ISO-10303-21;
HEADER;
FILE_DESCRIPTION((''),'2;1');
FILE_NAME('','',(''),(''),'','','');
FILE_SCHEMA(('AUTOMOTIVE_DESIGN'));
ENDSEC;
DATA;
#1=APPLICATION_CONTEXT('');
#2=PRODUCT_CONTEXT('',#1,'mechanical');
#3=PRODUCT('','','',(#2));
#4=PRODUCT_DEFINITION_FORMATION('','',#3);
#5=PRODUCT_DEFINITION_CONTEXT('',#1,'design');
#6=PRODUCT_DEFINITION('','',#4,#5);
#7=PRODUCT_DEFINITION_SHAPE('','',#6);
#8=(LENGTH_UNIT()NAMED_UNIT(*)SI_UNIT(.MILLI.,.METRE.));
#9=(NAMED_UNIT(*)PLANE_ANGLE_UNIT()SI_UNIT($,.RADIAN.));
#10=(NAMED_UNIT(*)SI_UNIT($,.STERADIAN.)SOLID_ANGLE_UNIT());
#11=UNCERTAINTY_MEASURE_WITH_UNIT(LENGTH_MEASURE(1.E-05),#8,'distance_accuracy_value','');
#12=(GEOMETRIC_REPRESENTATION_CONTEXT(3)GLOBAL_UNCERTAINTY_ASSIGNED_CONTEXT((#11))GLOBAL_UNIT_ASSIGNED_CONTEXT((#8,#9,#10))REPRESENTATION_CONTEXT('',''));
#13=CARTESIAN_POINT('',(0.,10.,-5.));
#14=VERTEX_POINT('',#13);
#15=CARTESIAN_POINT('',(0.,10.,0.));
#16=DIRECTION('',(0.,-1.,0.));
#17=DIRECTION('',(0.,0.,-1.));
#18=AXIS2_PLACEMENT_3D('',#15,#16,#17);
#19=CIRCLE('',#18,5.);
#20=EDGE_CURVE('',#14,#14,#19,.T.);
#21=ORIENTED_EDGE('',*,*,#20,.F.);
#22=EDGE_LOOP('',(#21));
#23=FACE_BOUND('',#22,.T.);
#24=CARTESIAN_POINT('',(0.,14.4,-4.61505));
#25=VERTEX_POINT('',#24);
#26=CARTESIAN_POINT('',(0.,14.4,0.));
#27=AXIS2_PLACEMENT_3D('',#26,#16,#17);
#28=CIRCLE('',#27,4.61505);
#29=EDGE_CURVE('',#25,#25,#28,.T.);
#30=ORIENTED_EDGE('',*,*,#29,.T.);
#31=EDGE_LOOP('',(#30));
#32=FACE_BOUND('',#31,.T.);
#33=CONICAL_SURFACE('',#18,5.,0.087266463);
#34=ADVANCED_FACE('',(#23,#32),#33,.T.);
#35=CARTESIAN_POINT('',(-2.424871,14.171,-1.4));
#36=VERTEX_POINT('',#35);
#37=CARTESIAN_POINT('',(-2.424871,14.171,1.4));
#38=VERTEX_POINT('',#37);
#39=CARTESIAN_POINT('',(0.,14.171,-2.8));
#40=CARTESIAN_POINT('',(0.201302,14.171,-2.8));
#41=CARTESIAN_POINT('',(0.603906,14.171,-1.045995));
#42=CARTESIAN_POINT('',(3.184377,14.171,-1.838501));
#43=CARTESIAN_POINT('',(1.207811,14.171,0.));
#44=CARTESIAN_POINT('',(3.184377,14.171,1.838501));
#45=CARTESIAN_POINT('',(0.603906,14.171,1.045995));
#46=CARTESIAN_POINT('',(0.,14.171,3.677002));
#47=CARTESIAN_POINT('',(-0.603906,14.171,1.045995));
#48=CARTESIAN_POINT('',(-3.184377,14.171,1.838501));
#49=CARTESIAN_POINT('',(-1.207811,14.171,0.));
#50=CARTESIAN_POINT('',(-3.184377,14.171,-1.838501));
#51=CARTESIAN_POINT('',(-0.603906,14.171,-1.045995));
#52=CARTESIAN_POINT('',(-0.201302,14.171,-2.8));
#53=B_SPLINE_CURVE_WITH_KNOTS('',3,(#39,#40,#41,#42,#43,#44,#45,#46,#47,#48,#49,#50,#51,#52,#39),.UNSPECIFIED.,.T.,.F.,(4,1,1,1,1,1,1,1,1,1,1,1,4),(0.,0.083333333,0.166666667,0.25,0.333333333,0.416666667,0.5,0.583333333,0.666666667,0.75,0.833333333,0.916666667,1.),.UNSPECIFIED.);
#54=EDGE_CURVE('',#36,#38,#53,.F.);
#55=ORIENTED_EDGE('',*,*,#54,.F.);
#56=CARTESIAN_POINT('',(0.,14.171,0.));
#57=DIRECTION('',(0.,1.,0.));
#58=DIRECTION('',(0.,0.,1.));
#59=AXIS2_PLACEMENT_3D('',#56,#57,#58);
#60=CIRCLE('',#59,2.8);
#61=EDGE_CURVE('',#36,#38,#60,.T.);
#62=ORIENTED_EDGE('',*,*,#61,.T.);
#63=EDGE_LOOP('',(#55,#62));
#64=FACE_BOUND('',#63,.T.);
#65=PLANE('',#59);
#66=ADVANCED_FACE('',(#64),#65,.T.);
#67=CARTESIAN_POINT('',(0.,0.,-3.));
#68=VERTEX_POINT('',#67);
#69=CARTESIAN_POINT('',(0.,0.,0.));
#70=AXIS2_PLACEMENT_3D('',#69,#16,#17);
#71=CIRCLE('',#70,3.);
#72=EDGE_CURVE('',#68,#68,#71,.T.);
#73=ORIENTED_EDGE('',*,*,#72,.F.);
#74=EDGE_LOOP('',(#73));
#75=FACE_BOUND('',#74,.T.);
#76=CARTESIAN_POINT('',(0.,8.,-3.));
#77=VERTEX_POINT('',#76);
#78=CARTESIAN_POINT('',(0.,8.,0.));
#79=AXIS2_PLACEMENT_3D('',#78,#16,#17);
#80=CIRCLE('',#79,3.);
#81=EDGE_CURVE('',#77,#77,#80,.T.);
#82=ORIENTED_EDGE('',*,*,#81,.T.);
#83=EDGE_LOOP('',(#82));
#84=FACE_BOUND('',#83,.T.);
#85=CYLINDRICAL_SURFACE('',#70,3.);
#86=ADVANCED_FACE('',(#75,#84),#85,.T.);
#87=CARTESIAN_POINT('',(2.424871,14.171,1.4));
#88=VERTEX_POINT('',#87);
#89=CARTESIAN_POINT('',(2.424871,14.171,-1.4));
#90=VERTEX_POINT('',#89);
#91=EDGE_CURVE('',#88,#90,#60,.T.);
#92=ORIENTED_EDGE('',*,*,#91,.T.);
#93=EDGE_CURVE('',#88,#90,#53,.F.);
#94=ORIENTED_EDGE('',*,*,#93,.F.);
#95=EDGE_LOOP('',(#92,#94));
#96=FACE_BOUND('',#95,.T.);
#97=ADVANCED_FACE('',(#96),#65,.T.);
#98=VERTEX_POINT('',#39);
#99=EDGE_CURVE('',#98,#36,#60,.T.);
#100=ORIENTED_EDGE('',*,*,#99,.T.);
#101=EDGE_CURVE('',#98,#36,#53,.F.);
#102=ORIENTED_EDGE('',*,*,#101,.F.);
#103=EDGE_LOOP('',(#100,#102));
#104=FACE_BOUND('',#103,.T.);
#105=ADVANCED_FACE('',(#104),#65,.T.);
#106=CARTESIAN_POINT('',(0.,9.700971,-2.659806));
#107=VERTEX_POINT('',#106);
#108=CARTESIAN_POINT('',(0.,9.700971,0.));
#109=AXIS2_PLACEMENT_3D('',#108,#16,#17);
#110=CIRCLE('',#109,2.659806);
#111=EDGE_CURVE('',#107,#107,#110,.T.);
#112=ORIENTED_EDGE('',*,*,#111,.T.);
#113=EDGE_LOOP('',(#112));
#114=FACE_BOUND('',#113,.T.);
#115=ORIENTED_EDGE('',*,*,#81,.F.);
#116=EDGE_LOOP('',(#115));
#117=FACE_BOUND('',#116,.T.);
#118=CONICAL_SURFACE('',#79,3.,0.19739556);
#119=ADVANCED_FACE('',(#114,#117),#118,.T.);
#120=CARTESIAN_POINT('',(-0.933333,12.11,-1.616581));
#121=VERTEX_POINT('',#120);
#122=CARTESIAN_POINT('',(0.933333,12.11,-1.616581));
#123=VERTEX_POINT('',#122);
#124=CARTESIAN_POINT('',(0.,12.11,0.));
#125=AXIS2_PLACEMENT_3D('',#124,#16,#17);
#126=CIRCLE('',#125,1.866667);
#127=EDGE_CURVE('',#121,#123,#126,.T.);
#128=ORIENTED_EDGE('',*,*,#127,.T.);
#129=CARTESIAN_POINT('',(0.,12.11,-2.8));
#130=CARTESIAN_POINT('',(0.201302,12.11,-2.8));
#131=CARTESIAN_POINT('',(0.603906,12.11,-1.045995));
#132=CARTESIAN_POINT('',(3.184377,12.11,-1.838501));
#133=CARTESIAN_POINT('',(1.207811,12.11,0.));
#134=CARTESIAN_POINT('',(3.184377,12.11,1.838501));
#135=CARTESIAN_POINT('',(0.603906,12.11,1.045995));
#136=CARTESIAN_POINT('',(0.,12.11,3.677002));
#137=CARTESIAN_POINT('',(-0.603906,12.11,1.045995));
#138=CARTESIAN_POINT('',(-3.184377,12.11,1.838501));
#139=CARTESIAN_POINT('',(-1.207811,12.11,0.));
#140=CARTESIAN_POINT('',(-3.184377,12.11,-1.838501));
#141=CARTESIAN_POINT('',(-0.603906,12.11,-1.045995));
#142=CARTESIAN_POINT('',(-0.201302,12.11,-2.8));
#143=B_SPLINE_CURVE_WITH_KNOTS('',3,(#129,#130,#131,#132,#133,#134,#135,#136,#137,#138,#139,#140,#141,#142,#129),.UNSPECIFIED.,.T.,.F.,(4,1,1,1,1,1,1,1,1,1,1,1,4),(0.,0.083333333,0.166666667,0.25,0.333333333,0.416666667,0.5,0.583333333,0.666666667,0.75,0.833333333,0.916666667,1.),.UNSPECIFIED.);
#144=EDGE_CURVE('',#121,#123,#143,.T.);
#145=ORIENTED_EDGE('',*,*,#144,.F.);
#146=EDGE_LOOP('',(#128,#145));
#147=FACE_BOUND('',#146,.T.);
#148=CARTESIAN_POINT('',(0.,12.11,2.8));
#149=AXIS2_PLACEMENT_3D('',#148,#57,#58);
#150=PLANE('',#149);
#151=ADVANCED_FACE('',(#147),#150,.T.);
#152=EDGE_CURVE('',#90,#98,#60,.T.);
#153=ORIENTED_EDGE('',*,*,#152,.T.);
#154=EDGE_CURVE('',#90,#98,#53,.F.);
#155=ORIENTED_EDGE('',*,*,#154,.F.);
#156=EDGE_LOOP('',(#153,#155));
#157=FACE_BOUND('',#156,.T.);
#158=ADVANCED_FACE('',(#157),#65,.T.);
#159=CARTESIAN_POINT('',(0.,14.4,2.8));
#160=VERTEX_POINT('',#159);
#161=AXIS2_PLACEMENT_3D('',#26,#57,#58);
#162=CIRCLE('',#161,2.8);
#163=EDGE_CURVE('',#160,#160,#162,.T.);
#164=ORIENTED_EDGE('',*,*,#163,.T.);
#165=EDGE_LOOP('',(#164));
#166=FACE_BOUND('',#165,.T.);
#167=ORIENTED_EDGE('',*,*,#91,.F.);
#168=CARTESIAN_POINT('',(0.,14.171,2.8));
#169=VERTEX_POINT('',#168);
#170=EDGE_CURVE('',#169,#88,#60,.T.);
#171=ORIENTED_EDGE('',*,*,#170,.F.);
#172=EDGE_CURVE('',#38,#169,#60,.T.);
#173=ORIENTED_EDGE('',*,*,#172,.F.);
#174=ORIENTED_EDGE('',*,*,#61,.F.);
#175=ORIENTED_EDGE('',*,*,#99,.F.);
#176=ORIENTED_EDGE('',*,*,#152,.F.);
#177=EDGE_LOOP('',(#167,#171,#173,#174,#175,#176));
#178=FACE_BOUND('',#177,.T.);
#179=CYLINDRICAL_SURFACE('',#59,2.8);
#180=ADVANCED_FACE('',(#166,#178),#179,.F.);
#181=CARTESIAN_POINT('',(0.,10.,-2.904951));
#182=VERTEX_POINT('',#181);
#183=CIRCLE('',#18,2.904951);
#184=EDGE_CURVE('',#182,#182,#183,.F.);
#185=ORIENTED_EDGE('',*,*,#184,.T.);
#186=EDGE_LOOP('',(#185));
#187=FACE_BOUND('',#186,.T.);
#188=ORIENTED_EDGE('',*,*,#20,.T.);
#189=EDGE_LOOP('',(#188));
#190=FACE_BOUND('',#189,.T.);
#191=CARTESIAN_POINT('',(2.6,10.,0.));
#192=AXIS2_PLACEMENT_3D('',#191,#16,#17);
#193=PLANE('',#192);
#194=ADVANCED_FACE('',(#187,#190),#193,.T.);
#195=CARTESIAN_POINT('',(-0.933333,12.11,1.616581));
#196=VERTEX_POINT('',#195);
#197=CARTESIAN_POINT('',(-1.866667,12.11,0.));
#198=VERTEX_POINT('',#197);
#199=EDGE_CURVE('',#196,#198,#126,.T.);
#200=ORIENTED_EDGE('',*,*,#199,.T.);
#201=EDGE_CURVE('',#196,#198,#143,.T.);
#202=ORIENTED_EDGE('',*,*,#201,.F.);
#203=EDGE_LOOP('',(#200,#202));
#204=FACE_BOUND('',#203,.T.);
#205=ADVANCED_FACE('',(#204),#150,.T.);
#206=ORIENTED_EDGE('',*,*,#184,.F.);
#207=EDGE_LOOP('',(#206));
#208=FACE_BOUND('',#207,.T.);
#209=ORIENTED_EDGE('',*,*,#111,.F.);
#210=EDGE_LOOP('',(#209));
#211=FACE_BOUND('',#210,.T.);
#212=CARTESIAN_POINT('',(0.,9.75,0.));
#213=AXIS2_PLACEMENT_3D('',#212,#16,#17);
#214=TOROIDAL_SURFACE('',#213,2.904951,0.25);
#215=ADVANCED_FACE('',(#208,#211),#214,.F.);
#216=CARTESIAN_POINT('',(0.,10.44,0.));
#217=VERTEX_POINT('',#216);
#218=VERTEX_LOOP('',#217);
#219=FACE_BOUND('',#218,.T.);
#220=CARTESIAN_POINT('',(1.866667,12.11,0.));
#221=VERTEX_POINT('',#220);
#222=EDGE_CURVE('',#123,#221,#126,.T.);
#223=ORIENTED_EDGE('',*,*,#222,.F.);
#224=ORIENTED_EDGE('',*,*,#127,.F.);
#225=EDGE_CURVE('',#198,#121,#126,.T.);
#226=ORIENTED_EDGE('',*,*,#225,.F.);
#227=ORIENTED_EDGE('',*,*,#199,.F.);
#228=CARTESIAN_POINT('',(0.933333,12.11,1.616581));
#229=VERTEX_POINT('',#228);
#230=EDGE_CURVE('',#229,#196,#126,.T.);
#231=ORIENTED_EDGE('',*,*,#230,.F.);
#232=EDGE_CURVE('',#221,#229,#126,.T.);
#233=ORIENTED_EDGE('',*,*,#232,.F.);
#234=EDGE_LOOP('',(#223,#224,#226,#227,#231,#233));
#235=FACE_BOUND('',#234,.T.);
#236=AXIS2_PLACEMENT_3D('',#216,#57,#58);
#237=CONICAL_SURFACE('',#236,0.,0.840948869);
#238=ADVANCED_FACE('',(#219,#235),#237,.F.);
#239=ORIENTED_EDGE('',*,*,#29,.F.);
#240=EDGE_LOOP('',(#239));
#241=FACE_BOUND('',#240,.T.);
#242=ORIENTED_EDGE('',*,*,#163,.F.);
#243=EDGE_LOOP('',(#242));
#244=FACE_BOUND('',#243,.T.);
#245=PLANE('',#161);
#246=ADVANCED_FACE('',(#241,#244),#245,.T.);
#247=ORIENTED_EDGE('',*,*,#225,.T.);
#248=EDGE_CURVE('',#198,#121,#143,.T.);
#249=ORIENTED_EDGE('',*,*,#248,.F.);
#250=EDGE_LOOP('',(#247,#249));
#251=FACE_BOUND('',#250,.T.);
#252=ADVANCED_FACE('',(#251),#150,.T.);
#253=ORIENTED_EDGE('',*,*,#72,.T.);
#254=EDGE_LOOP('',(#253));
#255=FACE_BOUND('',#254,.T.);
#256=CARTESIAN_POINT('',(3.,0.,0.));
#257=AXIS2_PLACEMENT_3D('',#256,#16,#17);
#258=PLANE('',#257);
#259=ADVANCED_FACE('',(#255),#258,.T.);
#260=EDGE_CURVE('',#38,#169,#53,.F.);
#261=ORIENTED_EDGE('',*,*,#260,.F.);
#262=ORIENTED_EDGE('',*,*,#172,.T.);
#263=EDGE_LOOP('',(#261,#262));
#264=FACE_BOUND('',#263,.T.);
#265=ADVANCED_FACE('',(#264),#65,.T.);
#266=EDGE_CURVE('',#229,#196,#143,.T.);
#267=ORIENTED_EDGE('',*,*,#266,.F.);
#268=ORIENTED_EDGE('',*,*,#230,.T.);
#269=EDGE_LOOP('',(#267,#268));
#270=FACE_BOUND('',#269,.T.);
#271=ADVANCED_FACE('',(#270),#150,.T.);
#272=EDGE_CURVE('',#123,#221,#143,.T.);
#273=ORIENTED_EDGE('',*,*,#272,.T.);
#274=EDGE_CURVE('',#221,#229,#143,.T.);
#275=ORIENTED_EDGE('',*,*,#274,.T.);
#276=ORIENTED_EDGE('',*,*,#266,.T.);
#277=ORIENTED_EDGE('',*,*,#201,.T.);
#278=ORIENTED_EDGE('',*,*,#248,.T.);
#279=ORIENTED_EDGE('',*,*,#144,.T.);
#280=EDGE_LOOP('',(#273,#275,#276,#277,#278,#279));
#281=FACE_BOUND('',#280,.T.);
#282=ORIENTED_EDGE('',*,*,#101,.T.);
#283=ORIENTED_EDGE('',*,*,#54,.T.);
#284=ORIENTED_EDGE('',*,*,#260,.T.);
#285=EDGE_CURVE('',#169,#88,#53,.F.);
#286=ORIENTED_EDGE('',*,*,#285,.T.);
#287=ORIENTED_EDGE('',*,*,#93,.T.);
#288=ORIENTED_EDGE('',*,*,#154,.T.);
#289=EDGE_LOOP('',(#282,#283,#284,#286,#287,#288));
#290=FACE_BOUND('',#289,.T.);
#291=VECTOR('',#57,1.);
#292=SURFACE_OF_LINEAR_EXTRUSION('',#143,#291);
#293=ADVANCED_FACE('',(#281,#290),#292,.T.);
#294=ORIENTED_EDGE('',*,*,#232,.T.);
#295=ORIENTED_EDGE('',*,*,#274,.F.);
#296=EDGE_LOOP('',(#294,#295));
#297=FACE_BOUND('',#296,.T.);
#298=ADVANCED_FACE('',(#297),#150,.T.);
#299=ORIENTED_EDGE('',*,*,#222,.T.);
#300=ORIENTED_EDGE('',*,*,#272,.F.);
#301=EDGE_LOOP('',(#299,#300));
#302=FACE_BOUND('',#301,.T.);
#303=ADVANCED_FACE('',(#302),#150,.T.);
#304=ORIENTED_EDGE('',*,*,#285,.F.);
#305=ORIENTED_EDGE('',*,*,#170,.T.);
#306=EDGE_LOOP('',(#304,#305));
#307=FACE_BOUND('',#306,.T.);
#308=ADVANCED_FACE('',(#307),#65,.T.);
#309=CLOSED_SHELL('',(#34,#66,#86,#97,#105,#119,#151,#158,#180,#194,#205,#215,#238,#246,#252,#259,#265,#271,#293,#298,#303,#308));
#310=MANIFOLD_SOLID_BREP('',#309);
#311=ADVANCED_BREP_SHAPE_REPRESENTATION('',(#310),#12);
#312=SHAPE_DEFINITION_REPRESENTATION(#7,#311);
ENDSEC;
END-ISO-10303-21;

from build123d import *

# Parameters (mm, degrees)
FILLET1_R                 = 0.25
SOCKET_CUT_EXTRUDE1_DEPTH = 2.29
SKETCH3_R                 = 2.8
SOCKET_CUT_EXTRUDE2_DEPTH = 0.229


with BuildPart() as part:
    # Sketch1 → Body-Revolve (revolve)
    with BuildSketch(Plane.XY, mode=Mode.PRIVATE) as body_revolve_sk:
        Polygon((0, 14.4), (4.61504988, 14.4), (5, 10), (3, 10), (2.6, 10), (3, 8), (3, 0), (0, 0), align=None)
    revolve(body_revolve_sk.sketch.rotate(Axis((0, 0, 0), (0, 1, 0)), 90), axis=Axis((0, 0, 0), (0, 1, 0)))

    # Fillet1
    fillet1_edges = [part.edges().sort_by_distance(p)[0] for p in [
        (0, 10, 2.6),
    ]]
    fillet(fillet1_edges, radius=FILLET1_R)

    # Sketch2 → Socket-Cut-Extrude1 (cut)
    with BuildSketch(Plane(origin=(0, 14.4, 0), x_dir=(-1, 0, 0), z_dir=(0, 1, 0))):
        with BuildLine():
            add(Edge.make_bspline(
                [(0, -2.8), (-0.201301877, -2.8), (-0.603905632, -1.045995238), (-3.184377472, -1.838501191), (-1.207811264, 0), (-3.184377472, 1.838501191), (-0.603905632, 1.045995238), (0, 3.677002381), (0.603905632, 1.045995238), (3.184377472, 1.838501191), (1.207811264, 0), (3.184377472, -1.838501191), (0.603905632, -1.045995238), (0.201301877, -2.8), (0, -2.8)],
                knots=[0, 0, 0, 0, 0.083333333, 0.166666667, 0.25, 0.333333333, 0.416666667, 0.5, 0.583333333, 0.666666667, 0.75, 0.833333333, 0.916666667, 1, 1, 1, 1], degree=3))
        make_face()
    extrude(amount=-SOCKET_CUT_EXTRUDE1_DEPTH, mode=Mode.SUBTRACT)

    # Sketch3 → Socket-Cut-Extrude2 (cut)
    with BuildSketch(Plane(origin=(0, 14.4, 0), x_dir=(-1, 0, 0), z_dir=(0, 1, 0))):
        with Locations(Location((0, 0, 0), (0, 0, 90))):
            Circle(SKETCH3_R)
    extrude(amount=-SOCKET_CUT_EXTRUDE2_DEPTH, mode=Mode.SUBTRACT)

    # Sketch4 → Drill-Cut-Revolve (revolve, cut)
    with BuildSketch(Plane.XY, mode=Mode.PRIVATE) as drill_cut_revolve_sk:
        Polygon((0, 12.11), (1.866666667, 12.11), (0, 10.44), align=None)
    revolve(drill_cut_revolve_sk.sketch.rotate(Axis((0, 0, 0), (0, 1, 0)), 270), axis=Axis((0, 0, 0), (0, 1, 0)), mode=Mode.SUBTRACT)


solid = part.part
